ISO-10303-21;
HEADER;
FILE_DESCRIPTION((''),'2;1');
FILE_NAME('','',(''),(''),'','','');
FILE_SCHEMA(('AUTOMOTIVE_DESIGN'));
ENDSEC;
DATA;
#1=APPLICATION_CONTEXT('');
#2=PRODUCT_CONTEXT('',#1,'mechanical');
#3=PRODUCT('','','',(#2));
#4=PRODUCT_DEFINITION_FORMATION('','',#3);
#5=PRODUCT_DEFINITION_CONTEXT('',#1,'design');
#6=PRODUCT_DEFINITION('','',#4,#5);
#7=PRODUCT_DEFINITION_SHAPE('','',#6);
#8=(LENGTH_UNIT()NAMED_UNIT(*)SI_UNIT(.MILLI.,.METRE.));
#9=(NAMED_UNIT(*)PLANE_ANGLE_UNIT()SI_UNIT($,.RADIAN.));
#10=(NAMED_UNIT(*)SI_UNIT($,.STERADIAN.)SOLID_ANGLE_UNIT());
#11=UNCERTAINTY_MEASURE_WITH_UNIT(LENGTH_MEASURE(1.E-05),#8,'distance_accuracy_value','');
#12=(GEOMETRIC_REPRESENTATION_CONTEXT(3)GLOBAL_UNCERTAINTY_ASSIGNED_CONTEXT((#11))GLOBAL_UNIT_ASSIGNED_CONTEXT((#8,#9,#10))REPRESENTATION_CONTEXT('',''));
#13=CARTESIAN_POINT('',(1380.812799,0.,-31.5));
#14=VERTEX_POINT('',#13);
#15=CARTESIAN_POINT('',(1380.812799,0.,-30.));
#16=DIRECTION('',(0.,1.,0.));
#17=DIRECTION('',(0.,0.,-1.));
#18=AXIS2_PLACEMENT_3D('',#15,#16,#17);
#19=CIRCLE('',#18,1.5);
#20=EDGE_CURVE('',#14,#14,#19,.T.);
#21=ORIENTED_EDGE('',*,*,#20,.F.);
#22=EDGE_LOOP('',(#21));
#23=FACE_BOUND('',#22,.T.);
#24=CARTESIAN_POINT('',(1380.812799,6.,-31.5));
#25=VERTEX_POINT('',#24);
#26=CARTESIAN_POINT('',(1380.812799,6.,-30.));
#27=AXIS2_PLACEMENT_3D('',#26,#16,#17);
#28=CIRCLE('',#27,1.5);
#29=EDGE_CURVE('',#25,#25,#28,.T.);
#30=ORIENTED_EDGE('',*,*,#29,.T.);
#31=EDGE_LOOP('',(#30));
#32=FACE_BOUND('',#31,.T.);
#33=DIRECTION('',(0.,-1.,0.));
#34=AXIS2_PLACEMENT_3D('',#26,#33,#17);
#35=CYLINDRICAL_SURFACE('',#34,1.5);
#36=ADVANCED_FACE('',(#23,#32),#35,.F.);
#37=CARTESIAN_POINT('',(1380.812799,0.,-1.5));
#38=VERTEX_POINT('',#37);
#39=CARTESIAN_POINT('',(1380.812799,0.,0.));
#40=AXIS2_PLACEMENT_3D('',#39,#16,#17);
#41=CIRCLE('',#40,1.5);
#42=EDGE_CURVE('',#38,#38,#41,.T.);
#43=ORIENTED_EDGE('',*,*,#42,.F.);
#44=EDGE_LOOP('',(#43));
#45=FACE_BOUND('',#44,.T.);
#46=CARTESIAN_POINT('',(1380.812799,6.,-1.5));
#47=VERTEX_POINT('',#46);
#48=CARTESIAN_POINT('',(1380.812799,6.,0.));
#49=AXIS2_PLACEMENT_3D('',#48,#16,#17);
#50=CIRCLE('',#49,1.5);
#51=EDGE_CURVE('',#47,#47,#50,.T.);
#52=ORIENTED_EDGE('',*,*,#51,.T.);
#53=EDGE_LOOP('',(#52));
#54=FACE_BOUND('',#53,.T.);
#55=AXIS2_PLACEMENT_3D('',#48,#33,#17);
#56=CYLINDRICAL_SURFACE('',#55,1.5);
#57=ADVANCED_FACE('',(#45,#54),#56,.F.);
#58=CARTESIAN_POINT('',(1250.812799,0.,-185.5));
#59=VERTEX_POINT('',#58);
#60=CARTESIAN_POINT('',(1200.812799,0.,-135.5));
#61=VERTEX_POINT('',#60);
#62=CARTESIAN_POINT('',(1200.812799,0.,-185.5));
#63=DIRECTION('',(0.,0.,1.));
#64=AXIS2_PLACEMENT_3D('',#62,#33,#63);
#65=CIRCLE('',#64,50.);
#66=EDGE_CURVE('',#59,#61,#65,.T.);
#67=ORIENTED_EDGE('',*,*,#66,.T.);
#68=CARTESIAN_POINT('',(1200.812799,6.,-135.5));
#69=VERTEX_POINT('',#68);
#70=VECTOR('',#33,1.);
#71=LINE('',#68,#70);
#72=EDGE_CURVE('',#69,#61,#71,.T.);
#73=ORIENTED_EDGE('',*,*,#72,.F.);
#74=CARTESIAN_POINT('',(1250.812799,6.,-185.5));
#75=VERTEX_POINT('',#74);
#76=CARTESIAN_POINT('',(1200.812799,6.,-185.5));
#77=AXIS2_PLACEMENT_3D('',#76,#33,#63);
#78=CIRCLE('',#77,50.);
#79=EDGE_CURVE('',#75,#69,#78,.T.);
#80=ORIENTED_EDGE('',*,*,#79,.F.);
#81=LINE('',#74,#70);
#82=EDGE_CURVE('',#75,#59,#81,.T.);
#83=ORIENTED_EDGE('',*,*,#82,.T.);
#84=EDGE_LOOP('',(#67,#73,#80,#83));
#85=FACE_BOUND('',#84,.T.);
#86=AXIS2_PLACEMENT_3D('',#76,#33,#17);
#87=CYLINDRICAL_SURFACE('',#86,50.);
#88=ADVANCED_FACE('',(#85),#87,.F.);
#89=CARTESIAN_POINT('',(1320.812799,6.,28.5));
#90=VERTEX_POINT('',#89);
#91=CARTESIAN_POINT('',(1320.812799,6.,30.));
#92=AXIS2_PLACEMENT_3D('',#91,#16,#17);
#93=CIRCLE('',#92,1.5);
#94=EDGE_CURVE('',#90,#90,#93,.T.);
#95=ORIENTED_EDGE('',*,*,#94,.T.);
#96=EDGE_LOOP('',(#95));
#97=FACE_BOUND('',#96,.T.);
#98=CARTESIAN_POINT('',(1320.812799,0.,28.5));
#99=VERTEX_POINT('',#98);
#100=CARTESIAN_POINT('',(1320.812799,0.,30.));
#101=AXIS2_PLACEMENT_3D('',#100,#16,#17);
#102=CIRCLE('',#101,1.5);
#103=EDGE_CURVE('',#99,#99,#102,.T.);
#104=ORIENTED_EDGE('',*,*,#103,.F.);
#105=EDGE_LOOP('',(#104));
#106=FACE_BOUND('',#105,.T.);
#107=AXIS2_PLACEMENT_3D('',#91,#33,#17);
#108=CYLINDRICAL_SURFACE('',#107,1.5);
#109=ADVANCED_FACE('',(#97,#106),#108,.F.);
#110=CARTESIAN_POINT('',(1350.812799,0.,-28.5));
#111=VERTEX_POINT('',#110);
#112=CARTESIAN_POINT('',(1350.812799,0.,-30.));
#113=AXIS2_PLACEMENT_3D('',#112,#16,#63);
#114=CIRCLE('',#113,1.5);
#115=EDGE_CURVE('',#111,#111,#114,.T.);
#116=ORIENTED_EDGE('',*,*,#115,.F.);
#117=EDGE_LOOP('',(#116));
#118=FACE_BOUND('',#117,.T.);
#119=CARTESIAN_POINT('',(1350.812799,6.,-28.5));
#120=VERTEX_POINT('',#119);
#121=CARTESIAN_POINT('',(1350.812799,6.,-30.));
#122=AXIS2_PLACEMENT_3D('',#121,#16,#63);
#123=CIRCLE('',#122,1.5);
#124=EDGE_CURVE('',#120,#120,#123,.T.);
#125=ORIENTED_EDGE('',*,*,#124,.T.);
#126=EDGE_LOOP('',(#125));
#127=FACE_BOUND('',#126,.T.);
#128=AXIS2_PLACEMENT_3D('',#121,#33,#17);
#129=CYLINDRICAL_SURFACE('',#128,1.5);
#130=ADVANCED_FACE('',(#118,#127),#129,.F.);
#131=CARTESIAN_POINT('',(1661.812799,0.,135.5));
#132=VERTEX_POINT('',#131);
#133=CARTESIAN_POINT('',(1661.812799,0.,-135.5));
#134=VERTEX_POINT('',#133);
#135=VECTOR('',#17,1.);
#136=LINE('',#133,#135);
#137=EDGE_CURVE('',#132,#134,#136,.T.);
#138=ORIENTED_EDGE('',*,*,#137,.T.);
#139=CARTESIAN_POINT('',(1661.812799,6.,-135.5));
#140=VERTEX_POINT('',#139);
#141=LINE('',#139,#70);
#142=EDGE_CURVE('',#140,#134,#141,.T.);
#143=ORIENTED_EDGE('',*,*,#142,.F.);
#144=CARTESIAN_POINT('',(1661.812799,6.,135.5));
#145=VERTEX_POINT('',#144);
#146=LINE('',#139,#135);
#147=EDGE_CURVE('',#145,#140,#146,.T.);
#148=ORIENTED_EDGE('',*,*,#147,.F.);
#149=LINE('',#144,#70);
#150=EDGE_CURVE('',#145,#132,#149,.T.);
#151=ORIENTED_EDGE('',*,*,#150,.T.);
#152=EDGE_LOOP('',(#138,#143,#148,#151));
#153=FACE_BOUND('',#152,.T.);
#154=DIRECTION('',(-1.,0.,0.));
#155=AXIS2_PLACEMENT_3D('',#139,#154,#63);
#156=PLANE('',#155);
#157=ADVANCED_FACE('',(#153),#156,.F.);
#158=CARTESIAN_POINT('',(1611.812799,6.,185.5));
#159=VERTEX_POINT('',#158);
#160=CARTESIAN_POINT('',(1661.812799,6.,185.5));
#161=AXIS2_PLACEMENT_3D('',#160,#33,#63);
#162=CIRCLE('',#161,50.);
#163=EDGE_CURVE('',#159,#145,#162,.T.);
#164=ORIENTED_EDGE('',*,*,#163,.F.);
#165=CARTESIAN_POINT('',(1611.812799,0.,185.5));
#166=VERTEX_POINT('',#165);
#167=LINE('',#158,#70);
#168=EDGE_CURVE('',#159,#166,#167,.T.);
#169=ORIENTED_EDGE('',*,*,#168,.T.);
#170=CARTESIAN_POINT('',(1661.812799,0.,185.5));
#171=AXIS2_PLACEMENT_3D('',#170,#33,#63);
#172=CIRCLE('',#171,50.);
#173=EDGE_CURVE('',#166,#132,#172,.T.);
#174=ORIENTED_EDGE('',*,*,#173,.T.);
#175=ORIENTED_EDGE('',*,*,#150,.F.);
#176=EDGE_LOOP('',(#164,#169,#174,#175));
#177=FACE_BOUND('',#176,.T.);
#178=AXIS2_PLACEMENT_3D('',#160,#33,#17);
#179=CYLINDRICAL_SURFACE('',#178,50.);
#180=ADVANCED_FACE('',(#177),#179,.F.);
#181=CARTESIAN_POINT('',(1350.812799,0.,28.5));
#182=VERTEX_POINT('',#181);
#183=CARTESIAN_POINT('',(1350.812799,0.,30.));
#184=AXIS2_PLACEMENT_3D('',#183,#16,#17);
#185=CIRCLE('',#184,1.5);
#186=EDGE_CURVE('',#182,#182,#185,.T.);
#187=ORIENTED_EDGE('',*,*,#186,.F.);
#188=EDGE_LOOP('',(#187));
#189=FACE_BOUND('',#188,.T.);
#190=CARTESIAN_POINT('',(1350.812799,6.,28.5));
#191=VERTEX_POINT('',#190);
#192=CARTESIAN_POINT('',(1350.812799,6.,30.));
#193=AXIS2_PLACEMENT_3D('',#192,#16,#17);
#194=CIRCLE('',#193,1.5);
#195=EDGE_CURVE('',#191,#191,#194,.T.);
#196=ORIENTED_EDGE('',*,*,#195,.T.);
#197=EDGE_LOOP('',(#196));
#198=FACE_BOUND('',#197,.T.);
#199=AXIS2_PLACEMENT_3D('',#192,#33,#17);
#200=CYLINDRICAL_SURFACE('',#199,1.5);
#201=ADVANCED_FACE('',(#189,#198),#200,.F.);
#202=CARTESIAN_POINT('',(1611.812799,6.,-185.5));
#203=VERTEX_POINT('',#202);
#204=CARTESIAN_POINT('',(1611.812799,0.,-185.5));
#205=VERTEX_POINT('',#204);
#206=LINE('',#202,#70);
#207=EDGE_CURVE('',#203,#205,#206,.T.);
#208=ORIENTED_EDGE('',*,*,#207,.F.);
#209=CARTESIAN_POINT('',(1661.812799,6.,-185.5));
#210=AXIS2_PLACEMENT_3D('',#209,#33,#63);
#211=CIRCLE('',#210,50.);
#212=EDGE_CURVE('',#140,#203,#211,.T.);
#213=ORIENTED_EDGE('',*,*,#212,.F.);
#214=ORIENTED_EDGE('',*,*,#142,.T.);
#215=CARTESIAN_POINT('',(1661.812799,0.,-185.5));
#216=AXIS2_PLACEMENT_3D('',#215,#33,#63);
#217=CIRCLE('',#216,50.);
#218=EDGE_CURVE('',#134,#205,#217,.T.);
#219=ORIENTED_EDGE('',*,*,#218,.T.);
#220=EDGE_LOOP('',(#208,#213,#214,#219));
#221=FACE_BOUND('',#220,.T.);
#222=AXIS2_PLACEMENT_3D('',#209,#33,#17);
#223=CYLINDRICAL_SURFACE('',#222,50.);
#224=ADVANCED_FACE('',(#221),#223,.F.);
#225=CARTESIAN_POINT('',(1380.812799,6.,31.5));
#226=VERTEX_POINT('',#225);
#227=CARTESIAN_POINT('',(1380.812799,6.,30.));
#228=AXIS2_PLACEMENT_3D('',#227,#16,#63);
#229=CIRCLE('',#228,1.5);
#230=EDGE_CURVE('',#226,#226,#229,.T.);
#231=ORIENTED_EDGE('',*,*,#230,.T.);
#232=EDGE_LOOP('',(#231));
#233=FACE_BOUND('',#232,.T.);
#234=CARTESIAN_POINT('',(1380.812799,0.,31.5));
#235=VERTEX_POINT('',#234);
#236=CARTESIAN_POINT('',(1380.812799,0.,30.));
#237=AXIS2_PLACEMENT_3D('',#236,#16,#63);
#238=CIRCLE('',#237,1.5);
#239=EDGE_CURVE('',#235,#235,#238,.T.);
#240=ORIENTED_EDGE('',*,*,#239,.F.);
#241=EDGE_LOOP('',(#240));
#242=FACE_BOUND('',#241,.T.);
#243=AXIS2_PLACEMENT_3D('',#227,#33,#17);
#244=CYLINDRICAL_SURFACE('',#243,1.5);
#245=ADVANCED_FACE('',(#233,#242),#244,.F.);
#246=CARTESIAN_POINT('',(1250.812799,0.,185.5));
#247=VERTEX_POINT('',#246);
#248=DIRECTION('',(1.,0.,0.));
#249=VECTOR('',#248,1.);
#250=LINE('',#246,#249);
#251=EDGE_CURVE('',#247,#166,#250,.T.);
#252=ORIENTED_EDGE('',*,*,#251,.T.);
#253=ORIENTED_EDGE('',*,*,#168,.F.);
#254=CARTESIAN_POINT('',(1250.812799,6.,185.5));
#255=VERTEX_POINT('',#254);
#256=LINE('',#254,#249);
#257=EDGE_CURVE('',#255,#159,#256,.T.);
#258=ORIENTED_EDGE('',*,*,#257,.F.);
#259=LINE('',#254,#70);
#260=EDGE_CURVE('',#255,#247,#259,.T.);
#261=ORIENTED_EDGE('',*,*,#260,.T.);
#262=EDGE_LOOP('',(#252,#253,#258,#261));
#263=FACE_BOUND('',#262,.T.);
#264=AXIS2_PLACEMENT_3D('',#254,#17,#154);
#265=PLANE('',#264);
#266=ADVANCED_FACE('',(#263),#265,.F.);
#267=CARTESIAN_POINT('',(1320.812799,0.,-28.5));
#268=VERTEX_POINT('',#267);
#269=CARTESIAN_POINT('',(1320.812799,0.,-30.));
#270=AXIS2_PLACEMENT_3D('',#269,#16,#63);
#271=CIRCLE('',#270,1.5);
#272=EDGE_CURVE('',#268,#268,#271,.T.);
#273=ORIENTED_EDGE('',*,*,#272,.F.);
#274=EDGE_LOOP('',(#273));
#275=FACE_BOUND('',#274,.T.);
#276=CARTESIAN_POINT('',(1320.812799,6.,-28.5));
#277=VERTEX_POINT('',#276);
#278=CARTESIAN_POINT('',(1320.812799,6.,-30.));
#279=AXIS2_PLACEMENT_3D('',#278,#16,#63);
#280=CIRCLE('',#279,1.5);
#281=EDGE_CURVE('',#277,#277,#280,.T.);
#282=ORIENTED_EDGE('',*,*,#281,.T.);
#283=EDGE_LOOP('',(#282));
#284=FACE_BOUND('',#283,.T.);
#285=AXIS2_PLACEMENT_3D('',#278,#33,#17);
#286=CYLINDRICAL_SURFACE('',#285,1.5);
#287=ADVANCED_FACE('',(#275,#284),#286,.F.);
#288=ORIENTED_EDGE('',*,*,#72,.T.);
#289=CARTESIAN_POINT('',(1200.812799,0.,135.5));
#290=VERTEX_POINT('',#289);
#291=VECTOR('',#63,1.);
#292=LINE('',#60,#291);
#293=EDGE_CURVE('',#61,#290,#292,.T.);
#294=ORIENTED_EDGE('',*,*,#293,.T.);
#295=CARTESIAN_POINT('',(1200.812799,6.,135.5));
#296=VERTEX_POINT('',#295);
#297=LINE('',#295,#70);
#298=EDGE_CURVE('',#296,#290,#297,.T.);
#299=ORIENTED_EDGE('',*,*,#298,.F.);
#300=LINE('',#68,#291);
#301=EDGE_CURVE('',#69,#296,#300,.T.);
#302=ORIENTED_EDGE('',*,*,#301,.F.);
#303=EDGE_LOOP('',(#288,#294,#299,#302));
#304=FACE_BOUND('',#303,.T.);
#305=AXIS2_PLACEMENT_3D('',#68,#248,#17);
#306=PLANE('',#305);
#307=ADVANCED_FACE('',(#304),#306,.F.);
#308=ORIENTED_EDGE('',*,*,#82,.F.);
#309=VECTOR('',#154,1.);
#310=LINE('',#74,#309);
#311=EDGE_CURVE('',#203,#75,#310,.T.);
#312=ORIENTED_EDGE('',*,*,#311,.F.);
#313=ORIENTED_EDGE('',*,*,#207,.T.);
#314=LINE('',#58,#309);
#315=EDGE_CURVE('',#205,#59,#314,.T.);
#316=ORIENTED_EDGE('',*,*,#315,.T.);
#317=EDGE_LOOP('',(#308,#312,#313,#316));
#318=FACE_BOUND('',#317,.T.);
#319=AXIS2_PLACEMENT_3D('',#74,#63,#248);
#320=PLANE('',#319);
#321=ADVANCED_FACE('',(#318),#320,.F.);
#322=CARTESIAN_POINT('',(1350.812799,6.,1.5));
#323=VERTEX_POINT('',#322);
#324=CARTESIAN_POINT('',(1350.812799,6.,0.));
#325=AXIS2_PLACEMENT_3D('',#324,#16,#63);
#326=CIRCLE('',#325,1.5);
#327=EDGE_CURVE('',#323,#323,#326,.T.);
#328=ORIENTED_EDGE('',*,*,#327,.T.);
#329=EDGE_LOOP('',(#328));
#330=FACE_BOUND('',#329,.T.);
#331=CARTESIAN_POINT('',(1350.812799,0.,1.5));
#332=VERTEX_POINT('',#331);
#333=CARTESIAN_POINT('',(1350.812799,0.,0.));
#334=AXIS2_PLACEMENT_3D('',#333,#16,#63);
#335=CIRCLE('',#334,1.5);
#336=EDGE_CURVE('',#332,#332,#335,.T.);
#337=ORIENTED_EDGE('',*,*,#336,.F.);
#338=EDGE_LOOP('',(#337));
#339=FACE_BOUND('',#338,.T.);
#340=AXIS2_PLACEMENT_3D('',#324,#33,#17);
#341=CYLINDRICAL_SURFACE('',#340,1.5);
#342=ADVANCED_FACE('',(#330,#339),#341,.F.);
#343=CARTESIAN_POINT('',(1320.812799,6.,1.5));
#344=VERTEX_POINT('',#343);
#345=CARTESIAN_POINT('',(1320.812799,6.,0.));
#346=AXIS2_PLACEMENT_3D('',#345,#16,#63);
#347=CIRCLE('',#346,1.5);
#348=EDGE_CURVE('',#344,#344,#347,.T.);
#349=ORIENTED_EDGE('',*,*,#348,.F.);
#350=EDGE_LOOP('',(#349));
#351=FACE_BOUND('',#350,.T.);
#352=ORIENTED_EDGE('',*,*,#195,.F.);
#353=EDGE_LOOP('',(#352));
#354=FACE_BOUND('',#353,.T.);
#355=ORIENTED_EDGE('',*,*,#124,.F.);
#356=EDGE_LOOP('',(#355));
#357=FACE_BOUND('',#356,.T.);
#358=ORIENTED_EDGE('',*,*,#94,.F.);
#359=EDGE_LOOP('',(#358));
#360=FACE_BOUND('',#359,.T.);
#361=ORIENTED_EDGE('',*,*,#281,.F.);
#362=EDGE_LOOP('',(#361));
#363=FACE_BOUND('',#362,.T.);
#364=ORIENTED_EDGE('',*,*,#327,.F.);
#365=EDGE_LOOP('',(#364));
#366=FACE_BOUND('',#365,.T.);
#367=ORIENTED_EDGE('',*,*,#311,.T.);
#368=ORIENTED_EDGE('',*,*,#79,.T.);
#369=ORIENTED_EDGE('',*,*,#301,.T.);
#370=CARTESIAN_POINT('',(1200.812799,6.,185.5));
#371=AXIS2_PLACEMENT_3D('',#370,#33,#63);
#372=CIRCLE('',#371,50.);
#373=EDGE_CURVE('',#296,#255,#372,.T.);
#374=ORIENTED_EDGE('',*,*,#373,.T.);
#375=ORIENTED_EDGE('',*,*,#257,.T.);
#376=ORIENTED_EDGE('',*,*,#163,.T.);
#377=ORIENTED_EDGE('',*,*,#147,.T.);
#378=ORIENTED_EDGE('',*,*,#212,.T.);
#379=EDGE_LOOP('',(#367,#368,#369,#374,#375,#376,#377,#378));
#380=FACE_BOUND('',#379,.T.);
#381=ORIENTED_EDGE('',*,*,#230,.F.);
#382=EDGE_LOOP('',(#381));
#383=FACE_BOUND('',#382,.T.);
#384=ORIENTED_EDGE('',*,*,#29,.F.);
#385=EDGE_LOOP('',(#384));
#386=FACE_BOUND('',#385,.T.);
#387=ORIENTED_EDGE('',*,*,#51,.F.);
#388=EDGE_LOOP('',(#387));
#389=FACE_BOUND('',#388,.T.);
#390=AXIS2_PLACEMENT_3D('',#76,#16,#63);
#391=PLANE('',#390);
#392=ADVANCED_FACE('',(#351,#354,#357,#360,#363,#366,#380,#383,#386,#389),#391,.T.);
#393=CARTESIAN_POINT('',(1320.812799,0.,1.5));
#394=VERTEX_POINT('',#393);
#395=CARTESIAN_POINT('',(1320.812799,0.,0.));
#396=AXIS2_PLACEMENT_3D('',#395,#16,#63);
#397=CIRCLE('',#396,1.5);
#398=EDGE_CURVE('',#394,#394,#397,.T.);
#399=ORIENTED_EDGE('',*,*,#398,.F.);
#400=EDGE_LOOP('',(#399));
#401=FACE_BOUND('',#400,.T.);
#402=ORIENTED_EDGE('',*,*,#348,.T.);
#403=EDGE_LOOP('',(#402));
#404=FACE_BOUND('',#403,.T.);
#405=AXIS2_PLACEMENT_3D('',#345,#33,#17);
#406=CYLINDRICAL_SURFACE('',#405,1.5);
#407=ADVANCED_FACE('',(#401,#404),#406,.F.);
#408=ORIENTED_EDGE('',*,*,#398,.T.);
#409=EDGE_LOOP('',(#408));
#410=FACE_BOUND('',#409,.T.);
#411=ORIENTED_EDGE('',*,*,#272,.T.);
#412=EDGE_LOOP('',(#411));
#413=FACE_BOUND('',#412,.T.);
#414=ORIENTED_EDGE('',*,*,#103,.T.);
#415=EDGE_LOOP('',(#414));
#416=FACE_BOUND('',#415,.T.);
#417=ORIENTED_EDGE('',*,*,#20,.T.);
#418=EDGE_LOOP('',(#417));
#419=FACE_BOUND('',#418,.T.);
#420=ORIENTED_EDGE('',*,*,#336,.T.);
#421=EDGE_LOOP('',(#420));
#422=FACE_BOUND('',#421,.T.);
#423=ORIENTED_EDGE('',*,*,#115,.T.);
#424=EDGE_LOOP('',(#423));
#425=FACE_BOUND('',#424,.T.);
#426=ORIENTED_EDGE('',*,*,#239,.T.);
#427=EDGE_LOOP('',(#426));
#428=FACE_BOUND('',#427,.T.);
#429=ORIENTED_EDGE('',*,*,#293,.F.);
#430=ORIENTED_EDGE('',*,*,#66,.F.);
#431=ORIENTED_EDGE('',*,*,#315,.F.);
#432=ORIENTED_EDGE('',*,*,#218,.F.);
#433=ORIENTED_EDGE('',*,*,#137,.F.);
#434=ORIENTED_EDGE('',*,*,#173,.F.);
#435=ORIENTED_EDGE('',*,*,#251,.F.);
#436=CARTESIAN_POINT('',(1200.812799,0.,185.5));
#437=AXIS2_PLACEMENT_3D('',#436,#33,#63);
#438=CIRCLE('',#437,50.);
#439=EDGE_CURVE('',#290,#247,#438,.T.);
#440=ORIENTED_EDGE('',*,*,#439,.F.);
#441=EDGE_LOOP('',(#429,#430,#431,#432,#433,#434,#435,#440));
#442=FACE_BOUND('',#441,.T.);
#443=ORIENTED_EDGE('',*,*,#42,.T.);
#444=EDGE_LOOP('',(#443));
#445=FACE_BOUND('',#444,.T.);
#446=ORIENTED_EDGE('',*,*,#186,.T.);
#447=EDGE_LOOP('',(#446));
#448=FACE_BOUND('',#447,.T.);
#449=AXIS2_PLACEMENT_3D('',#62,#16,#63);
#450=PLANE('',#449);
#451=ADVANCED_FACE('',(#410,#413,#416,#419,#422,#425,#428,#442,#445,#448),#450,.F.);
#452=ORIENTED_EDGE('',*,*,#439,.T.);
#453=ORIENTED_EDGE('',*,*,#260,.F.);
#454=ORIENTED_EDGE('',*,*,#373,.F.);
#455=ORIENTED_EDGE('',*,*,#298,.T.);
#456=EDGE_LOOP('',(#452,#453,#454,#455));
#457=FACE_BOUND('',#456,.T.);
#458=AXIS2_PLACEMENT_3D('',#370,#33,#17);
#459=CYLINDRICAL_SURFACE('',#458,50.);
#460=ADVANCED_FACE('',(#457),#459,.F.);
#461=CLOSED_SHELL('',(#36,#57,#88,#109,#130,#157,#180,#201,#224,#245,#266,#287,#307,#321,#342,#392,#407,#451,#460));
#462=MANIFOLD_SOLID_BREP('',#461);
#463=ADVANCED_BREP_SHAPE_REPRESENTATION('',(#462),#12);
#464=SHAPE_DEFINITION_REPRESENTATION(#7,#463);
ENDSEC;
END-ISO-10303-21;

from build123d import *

# Parameters (mm, degrees)
SKETCH_1_R      = 1.5
EXTRUDE_1_DEPTH = 6


with BuildPart() as part:
    # 草图1 → 凸台-拉伸1 (new body)
    with BuildSketch(Plane(origin=(0, 0, 0), x_dir=(1, 0, 0), z_dir=(0, 1, 0))):
        with BuildLine():
            Line((1250.81279875, 185.5), (1611.81279875, 185.5))
            ThreePointArc((1611.81279875, 185.5), (1626.457459691, 150.144660941), (1661.81279875, 135.5))
            Line((1661.81279875, 135.5), (1661.81279875, -135.5))
            ThreePointArc((1661.81279875, -135.5), (1626.457459691, -150.144660941), (1611.81279875, -185.5))
            Line((1611.81279875, -185.5), (1250.81279875, -185.5))
            ThreePointArc((1250.81279875, -185.5), (1236.16813781, -150.144660941), (1200.81279875, -135.5))
            Line((1200.81279875, -135.5), (1200.81279875, 135.5))
            ThreePointArc((1200.81279875, 135.5), (1236.16813781, 150.144660941), (1250.81279875, 185.5))
        make_face()
        with Locations(Location((1320.81279875, 0, 0), (0, 0, 270))):
            Circle(SKETCH_1_R, mode=Mode.SUBTRACT)
        with Locations(Location((1320.81279875, 30, 0), (0, 0, 270))):
            Circle(SKETCH_1_R, mode=Mode.SUBTRACT)
        with Locations(Location((1350.81279875, 30, 0), (0, 0, 270))):
            Circle(SKETCH_1_R, mode=Mode.SUBTRACT)
        with Locations(Location((1350.81279875, 0, 0), (0, 0, 270))):
            Circle(SKETCH_1_R, mode=Mode.SUBTRACT)
        with Locations(Location((1350.81279875, -30, 0), (0, 0, 90))):
            Circle(SKETCH_1_R, mode=Mode.SUBTRACT)
        with Locations(Location((1320.81279875, -30, 0), (0, 0, 90))):
            Circle(SKETCH_1_R, mode=Mode.SUBTRACT)
        with Locations(Location((1380.81279875, -30, 0), (0, 0, 270))):
            Circle(SKETCH_1_R, mode=Mode.SUBTRACT)
        with Locations(Location((1380.81279875, 0, 0), (0, 0, 90))):
            Circle(SKETCH_1_R, mode=Mode.SUBTRACT)
        with Locations(Location((1380.81279875, 30, 0), (0, 0, 90))):
            Circle(SKETCH_1_R, mode=Mode.SUBTRACT)
    extrude(amount=EXTRUDE_1_DEPTH)


solid = part.part
